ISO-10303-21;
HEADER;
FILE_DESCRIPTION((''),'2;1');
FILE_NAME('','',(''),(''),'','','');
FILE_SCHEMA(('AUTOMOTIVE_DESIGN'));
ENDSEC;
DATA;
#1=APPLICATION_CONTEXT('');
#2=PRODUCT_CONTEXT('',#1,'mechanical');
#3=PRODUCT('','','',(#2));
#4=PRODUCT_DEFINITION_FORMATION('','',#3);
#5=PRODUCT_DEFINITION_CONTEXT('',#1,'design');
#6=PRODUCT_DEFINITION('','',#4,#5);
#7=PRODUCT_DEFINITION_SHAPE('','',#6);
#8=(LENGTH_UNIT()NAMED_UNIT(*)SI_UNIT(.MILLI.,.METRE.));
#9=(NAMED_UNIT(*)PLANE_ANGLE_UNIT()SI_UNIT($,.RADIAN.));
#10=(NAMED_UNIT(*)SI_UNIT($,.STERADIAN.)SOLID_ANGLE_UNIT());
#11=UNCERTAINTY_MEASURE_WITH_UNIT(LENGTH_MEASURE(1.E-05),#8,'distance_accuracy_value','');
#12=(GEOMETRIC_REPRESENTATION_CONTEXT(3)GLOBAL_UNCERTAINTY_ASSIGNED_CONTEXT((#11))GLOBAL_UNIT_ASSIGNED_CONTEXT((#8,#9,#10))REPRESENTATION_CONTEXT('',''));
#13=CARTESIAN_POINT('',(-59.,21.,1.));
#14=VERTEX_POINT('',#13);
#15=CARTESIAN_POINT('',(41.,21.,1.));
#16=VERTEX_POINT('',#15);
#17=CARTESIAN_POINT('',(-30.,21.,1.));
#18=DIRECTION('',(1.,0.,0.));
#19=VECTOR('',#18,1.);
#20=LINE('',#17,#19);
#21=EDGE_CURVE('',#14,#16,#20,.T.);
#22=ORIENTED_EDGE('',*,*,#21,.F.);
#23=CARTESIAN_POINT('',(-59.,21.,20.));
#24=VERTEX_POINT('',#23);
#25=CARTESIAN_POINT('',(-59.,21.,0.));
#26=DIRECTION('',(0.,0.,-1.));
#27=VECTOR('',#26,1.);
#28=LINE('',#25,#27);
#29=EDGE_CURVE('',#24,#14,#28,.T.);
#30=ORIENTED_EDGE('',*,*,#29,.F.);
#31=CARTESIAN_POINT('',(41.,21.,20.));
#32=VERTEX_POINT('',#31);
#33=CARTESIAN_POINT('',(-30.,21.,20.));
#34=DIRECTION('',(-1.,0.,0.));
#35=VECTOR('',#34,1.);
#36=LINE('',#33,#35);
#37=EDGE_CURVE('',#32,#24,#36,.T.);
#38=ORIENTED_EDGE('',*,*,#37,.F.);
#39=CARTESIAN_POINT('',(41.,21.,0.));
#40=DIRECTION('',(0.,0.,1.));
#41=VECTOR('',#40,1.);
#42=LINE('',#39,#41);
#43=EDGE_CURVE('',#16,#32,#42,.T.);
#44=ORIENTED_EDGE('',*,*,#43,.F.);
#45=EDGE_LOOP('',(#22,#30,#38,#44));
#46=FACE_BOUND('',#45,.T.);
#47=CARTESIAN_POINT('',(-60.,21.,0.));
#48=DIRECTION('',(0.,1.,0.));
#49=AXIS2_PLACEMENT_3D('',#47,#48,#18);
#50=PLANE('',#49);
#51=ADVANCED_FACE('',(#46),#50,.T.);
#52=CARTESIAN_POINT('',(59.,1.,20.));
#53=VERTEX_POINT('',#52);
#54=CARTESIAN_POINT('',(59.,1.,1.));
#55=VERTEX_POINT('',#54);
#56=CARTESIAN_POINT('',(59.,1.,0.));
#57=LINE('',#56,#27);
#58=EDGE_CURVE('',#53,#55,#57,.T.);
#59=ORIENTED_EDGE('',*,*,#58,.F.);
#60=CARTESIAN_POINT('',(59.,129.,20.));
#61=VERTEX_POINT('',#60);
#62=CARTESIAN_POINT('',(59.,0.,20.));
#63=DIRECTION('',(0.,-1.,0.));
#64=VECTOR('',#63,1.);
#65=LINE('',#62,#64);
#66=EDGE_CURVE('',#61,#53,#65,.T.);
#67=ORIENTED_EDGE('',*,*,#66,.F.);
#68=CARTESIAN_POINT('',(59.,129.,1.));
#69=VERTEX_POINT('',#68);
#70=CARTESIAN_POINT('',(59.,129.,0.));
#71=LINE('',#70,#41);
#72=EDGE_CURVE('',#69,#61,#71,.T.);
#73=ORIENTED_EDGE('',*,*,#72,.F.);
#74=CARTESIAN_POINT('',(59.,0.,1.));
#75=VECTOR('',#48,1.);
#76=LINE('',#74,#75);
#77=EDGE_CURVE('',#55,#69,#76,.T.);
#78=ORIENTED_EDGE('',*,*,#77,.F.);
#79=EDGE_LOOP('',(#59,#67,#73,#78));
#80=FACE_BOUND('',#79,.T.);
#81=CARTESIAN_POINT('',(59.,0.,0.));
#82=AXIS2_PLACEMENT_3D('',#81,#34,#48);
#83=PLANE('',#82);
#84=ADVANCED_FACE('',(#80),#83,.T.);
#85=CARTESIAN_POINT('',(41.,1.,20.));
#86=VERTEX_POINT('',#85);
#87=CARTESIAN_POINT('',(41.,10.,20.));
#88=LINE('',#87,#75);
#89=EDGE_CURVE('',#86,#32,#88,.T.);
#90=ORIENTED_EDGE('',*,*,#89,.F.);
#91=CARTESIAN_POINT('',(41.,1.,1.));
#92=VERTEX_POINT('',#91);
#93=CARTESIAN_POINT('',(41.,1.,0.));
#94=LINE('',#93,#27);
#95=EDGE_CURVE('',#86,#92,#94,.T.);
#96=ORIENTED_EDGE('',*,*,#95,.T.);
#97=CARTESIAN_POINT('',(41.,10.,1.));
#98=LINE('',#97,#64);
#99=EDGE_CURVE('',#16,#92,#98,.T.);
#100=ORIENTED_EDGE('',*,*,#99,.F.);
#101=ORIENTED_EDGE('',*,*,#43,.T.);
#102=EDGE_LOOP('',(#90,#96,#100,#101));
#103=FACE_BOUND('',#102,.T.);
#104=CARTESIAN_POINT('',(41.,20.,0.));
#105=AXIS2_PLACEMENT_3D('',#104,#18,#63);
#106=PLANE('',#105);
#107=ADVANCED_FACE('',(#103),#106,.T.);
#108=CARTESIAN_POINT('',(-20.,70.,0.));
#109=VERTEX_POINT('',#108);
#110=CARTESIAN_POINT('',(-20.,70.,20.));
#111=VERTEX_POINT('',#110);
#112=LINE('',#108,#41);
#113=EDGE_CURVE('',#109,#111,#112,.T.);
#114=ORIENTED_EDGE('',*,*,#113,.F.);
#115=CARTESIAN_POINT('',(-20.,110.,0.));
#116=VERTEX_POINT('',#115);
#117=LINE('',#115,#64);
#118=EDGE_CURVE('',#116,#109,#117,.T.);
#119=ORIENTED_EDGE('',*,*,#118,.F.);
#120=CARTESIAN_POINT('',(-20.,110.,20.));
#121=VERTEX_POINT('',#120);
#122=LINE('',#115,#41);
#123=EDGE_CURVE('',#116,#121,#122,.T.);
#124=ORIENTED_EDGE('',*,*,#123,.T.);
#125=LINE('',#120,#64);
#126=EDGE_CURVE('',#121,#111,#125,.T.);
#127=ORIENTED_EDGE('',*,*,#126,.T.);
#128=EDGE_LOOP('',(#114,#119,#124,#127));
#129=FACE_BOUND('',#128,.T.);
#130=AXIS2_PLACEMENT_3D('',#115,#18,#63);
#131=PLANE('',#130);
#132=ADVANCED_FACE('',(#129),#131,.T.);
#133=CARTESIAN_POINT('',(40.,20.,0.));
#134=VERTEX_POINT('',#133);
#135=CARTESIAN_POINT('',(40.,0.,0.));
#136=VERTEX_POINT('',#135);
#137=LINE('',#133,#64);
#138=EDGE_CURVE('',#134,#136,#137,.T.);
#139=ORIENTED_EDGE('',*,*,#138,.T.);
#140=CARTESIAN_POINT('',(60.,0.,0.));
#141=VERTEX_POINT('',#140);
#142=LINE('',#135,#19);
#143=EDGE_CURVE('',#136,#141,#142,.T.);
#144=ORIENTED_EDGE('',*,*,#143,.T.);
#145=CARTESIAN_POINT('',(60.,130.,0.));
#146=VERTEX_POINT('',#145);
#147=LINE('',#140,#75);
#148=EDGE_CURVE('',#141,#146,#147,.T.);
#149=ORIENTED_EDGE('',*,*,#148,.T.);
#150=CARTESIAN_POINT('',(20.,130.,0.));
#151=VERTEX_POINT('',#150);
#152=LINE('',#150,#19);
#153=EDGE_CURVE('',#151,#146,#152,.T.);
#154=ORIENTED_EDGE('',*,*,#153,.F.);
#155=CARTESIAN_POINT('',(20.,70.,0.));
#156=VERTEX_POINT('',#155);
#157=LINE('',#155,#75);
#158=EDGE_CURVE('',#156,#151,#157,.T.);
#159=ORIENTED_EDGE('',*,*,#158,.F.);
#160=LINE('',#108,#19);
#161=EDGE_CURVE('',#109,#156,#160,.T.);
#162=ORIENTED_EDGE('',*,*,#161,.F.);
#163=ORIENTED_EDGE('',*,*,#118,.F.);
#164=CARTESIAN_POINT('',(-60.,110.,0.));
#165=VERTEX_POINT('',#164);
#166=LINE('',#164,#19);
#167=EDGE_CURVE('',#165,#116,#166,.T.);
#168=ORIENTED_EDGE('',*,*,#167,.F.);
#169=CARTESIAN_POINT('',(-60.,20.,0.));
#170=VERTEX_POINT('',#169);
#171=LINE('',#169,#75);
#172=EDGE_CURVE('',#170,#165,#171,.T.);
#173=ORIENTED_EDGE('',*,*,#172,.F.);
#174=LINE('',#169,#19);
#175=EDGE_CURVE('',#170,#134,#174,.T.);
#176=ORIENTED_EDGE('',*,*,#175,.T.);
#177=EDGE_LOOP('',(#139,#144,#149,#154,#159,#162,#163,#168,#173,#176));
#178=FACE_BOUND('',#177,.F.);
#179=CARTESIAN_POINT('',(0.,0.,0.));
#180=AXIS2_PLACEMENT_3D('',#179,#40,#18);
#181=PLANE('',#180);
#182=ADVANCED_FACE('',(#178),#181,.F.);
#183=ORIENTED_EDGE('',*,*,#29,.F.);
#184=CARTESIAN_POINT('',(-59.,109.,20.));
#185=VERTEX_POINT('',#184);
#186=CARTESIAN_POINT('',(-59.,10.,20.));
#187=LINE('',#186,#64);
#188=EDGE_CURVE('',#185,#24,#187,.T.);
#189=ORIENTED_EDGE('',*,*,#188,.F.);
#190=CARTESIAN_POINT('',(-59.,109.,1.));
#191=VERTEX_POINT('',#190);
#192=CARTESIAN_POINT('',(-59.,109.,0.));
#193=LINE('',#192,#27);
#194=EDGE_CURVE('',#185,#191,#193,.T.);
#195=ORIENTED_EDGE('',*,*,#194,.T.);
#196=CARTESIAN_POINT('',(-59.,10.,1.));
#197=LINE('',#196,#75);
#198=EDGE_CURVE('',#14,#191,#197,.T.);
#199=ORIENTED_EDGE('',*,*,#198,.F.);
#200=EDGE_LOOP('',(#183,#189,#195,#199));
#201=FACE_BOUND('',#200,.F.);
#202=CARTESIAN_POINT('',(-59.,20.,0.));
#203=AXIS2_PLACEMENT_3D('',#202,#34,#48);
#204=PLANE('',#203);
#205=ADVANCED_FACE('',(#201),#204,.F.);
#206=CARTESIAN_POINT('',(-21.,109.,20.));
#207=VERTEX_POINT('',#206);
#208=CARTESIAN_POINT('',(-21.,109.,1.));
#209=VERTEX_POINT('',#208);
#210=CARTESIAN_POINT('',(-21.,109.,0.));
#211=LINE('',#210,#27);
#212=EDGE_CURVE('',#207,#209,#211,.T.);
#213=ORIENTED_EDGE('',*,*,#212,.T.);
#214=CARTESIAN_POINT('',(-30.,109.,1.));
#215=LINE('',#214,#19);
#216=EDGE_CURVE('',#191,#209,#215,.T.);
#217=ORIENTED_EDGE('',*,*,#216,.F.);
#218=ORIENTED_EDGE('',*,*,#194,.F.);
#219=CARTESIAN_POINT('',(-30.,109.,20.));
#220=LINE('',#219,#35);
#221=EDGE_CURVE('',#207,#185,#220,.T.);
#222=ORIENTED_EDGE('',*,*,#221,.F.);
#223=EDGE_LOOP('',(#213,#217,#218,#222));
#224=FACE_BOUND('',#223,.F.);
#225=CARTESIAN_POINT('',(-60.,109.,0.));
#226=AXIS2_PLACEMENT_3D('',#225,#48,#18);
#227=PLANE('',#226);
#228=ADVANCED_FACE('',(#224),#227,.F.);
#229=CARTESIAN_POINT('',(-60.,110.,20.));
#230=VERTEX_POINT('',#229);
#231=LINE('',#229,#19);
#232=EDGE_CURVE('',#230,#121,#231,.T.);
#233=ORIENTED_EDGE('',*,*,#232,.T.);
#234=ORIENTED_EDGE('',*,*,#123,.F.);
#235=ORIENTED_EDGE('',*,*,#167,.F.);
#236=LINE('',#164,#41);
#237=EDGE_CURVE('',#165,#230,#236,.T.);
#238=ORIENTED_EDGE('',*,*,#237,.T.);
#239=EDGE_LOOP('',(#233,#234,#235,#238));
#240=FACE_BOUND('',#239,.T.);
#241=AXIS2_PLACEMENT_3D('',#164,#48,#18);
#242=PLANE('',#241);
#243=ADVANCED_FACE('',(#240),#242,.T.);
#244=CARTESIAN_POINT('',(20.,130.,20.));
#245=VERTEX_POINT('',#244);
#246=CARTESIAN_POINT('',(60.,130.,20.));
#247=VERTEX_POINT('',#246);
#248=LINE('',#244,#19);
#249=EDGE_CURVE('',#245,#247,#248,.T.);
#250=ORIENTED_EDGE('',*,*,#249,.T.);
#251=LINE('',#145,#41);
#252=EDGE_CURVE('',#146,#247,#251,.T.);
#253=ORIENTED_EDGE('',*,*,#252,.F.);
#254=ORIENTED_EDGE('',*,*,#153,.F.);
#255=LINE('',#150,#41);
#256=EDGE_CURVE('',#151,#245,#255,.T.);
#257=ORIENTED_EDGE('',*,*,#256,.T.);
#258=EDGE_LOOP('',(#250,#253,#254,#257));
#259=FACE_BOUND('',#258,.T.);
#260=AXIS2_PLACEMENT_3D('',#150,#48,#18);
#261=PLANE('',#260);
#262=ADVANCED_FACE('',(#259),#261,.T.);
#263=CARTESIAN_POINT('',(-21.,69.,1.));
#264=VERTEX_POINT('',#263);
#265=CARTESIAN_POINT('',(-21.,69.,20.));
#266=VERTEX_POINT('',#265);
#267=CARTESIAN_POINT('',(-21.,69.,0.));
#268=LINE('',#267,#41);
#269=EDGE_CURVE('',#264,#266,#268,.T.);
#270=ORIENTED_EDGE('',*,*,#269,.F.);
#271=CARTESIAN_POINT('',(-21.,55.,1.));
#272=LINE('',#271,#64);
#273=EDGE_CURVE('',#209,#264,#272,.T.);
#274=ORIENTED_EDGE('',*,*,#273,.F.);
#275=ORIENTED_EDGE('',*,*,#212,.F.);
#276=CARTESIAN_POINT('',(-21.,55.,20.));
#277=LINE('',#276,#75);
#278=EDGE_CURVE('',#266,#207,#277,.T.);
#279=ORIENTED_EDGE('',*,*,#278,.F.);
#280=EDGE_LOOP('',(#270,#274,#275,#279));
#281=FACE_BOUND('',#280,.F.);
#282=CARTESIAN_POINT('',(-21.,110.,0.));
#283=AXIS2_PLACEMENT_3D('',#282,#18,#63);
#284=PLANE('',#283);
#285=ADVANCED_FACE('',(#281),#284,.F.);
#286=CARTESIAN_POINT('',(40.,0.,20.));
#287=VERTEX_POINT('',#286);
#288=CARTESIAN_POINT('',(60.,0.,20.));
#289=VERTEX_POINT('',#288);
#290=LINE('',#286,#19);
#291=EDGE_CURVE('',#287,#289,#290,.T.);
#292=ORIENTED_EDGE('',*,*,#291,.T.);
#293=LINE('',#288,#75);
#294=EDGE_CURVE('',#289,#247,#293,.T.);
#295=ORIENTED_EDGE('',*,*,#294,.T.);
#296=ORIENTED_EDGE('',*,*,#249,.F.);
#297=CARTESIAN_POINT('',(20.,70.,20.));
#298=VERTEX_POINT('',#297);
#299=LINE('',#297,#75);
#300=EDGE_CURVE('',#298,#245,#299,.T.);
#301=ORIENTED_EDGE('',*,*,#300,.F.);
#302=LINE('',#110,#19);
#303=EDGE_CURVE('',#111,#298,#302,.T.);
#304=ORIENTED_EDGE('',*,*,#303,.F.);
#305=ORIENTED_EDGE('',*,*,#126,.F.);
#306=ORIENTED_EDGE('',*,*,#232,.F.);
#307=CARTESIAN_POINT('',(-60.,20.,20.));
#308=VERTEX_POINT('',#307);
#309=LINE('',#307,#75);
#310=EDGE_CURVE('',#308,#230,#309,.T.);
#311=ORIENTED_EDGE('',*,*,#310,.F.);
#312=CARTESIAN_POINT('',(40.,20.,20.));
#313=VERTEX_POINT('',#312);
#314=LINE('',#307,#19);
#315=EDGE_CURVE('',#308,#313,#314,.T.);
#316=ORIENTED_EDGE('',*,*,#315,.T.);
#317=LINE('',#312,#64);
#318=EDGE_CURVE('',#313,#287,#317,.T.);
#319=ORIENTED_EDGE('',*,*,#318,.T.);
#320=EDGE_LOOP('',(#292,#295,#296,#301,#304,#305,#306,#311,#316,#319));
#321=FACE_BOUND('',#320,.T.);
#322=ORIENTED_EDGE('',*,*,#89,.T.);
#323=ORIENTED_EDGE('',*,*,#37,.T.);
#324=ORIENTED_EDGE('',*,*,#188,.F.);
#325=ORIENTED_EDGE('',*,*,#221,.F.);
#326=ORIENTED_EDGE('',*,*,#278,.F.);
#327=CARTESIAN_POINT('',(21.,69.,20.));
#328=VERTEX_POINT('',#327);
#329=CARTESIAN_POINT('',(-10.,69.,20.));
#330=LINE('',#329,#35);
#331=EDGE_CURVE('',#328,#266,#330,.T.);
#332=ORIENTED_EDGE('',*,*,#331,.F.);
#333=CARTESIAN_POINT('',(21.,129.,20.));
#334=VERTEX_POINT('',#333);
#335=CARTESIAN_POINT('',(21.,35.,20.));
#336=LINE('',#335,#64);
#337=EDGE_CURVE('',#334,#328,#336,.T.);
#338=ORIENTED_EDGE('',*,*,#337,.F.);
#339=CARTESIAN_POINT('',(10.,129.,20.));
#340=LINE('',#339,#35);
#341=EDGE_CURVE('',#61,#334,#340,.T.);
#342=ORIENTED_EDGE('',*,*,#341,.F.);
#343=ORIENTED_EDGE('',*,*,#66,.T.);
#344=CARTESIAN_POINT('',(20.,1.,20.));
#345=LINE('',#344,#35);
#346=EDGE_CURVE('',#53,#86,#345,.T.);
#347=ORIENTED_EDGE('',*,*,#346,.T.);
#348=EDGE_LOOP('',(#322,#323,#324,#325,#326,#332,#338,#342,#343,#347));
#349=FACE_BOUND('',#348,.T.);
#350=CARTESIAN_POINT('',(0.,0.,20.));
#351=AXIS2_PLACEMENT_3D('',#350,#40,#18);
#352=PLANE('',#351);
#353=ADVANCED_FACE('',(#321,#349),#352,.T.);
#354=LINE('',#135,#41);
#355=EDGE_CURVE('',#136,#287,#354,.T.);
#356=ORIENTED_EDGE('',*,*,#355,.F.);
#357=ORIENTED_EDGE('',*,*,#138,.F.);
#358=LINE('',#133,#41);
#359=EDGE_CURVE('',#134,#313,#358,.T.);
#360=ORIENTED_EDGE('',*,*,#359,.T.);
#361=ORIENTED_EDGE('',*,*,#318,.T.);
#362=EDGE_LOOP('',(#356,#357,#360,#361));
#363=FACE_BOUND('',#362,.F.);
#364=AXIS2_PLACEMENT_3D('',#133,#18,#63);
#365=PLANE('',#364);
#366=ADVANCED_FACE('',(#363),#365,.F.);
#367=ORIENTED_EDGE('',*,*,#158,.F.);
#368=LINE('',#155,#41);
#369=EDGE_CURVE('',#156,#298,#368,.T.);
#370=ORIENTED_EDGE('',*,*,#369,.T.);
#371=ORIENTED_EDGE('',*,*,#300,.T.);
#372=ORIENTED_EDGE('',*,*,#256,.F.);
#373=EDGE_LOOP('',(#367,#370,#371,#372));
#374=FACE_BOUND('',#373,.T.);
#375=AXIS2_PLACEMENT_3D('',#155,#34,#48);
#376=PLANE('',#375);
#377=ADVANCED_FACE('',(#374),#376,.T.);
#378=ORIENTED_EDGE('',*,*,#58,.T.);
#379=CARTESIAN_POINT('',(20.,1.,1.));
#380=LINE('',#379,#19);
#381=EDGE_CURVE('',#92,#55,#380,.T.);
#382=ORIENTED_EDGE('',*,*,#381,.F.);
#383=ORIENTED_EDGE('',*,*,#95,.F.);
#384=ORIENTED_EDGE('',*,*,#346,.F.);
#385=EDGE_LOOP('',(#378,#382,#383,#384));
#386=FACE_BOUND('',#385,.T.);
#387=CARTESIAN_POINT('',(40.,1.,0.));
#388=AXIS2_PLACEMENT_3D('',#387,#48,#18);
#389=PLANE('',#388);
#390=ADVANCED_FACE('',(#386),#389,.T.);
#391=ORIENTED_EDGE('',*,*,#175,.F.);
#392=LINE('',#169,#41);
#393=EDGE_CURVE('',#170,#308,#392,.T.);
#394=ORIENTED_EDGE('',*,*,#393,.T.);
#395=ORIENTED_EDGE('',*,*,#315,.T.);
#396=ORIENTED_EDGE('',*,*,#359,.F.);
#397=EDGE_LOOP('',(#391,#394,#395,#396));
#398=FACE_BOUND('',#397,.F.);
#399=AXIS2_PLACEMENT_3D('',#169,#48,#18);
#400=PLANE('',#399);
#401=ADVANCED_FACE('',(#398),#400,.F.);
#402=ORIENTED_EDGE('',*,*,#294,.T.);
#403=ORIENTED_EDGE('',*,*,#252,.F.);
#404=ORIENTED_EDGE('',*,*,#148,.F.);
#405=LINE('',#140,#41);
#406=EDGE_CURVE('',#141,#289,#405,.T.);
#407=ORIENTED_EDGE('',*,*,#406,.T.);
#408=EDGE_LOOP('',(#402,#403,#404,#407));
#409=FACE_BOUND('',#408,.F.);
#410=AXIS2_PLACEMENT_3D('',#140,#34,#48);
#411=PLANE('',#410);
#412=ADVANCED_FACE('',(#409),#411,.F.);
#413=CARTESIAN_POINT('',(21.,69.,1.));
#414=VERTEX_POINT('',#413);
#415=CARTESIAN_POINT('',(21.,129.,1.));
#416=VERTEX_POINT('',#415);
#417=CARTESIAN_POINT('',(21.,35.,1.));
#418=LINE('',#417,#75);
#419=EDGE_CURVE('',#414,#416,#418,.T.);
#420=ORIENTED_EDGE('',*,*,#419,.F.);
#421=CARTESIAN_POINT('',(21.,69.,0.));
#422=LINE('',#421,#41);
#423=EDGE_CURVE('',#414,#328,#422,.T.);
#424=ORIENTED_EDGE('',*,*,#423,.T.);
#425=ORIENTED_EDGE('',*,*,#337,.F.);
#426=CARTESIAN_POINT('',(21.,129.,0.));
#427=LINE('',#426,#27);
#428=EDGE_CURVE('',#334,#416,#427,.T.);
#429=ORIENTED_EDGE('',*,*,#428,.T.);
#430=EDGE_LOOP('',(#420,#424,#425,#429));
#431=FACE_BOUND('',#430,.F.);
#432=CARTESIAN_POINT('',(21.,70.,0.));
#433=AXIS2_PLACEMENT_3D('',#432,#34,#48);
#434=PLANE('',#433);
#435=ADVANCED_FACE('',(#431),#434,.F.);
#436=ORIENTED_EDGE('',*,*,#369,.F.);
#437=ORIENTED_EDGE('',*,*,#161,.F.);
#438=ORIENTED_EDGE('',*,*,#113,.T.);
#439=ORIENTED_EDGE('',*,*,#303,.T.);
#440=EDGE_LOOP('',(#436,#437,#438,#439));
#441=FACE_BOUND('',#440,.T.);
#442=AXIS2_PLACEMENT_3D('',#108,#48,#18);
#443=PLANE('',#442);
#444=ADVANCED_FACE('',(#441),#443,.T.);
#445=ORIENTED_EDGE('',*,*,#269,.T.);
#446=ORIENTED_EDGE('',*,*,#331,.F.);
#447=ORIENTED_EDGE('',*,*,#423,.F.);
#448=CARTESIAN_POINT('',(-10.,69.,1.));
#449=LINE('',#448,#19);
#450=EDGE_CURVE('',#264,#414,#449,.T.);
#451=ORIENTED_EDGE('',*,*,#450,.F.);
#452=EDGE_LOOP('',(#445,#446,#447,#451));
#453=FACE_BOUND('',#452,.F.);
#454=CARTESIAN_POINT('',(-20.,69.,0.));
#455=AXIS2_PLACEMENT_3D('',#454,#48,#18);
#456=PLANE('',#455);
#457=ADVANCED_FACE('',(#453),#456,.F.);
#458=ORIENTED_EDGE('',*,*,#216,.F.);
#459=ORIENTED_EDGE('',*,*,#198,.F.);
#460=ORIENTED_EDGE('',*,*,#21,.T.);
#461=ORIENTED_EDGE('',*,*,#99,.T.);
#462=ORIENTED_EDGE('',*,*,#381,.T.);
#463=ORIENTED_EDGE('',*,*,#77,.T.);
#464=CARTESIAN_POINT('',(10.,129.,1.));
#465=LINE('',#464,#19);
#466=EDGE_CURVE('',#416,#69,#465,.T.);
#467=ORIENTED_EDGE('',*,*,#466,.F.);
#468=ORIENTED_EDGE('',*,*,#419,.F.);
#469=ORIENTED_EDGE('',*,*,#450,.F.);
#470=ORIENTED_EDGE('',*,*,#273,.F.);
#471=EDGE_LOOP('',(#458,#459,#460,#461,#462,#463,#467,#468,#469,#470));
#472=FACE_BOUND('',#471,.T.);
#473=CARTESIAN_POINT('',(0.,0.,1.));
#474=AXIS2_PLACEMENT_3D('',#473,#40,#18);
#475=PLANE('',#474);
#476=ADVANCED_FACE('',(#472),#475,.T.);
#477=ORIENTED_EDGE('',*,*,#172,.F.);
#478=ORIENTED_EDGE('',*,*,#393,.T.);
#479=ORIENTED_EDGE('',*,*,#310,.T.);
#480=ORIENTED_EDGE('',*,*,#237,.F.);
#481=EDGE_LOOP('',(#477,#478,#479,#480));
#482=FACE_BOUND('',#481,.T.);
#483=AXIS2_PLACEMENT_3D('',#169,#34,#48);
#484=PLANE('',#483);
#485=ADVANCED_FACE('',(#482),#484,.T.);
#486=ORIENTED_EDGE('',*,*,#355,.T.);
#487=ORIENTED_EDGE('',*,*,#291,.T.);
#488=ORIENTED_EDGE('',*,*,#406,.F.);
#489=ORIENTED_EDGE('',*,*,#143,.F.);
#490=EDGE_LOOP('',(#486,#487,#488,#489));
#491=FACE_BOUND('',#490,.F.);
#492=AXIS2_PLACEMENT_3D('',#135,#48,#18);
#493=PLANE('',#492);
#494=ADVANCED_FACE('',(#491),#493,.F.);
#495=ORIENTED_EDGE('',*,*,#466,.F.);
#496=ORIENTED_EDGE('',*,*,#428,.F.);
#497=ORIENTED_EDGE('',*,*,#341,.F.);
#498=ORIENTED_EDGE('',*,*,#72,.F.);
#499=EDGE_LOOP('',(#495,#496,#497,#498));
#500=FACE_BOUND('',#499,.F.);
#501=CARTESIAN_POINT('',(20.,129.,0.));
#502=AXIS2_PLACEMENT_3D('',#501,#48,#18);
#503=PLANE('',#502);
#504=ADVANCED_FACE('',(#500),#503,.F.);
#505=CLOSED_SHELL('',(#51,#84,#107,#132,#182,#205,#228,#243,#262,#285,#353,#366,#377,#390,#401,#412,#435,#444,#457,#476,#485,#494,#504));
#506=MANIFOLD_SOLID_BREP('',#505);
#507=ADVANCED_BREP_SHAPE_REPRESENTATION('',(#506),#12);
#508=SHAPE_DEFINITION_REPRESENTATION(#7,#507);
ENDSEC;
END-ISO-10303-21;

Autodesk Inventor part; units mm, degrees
ref_plane "YZ Plane" through (0, 0, 0) normal (1, 0, 0) x (0, 1, 0)
ref_plane "XZ Plane" through (0, 0, 0) normal (0, 1, 0) x (-1, 0, 0)
ref_plane "XY Plane" through (0, 0, 0) normal (0, 0, 1) x (1, 0, 0)
sketch "Sketch1" plane through (0, 0, 0) normal (0, 0, 1) x (1, 0, 0)
  line L0 (0, 2.4004) -> (60, 2.4004) construction
  line L1 (-60, 0) -> (60, 0) construction
  line L2 (-60, 0) -> (-60, 20) construction
  line L3 (-60, 20) -> (40, 20)
  line L4 (40, 20) -> (40, 0)
  line L5 (40, 0) -> (60, 0)
  line L6 (60, 0) -> (60, 130)
  line L7 (75, 0) -> (75, 70) construction
  line L8 (-60, 20) -> (-60, 110)
  line L9 (-60, 110) -> (-20, 110)
  line L10 (-20, 110) -> (-20, 70)
  line L11 (-20, 70) -> (20, 70)
  line L12 (20, 70) -> (20, 130)
  line L13 (20, 130) -> (60, 130)
  point P0 (0, 0)
  dimension "d2" = 120
  dimension "d3" = 20
  dimension "d4" = 100
  dimension "d5" = 20
  dimension "d6" = 20
  dimension "d7" = 130
  dimension "d8" = 70
  dimension "d9" = 90
  dimension "d10" = 40
  dimension "d11" = 40
extrude "Extrusion1" add sketch "Sketch1" along normal blind 20
shell "Shell1" thickness 1 removed faces 1 at (-13.3333, 36.6667, 20)
properties part number "Spacer_3DPrint"
